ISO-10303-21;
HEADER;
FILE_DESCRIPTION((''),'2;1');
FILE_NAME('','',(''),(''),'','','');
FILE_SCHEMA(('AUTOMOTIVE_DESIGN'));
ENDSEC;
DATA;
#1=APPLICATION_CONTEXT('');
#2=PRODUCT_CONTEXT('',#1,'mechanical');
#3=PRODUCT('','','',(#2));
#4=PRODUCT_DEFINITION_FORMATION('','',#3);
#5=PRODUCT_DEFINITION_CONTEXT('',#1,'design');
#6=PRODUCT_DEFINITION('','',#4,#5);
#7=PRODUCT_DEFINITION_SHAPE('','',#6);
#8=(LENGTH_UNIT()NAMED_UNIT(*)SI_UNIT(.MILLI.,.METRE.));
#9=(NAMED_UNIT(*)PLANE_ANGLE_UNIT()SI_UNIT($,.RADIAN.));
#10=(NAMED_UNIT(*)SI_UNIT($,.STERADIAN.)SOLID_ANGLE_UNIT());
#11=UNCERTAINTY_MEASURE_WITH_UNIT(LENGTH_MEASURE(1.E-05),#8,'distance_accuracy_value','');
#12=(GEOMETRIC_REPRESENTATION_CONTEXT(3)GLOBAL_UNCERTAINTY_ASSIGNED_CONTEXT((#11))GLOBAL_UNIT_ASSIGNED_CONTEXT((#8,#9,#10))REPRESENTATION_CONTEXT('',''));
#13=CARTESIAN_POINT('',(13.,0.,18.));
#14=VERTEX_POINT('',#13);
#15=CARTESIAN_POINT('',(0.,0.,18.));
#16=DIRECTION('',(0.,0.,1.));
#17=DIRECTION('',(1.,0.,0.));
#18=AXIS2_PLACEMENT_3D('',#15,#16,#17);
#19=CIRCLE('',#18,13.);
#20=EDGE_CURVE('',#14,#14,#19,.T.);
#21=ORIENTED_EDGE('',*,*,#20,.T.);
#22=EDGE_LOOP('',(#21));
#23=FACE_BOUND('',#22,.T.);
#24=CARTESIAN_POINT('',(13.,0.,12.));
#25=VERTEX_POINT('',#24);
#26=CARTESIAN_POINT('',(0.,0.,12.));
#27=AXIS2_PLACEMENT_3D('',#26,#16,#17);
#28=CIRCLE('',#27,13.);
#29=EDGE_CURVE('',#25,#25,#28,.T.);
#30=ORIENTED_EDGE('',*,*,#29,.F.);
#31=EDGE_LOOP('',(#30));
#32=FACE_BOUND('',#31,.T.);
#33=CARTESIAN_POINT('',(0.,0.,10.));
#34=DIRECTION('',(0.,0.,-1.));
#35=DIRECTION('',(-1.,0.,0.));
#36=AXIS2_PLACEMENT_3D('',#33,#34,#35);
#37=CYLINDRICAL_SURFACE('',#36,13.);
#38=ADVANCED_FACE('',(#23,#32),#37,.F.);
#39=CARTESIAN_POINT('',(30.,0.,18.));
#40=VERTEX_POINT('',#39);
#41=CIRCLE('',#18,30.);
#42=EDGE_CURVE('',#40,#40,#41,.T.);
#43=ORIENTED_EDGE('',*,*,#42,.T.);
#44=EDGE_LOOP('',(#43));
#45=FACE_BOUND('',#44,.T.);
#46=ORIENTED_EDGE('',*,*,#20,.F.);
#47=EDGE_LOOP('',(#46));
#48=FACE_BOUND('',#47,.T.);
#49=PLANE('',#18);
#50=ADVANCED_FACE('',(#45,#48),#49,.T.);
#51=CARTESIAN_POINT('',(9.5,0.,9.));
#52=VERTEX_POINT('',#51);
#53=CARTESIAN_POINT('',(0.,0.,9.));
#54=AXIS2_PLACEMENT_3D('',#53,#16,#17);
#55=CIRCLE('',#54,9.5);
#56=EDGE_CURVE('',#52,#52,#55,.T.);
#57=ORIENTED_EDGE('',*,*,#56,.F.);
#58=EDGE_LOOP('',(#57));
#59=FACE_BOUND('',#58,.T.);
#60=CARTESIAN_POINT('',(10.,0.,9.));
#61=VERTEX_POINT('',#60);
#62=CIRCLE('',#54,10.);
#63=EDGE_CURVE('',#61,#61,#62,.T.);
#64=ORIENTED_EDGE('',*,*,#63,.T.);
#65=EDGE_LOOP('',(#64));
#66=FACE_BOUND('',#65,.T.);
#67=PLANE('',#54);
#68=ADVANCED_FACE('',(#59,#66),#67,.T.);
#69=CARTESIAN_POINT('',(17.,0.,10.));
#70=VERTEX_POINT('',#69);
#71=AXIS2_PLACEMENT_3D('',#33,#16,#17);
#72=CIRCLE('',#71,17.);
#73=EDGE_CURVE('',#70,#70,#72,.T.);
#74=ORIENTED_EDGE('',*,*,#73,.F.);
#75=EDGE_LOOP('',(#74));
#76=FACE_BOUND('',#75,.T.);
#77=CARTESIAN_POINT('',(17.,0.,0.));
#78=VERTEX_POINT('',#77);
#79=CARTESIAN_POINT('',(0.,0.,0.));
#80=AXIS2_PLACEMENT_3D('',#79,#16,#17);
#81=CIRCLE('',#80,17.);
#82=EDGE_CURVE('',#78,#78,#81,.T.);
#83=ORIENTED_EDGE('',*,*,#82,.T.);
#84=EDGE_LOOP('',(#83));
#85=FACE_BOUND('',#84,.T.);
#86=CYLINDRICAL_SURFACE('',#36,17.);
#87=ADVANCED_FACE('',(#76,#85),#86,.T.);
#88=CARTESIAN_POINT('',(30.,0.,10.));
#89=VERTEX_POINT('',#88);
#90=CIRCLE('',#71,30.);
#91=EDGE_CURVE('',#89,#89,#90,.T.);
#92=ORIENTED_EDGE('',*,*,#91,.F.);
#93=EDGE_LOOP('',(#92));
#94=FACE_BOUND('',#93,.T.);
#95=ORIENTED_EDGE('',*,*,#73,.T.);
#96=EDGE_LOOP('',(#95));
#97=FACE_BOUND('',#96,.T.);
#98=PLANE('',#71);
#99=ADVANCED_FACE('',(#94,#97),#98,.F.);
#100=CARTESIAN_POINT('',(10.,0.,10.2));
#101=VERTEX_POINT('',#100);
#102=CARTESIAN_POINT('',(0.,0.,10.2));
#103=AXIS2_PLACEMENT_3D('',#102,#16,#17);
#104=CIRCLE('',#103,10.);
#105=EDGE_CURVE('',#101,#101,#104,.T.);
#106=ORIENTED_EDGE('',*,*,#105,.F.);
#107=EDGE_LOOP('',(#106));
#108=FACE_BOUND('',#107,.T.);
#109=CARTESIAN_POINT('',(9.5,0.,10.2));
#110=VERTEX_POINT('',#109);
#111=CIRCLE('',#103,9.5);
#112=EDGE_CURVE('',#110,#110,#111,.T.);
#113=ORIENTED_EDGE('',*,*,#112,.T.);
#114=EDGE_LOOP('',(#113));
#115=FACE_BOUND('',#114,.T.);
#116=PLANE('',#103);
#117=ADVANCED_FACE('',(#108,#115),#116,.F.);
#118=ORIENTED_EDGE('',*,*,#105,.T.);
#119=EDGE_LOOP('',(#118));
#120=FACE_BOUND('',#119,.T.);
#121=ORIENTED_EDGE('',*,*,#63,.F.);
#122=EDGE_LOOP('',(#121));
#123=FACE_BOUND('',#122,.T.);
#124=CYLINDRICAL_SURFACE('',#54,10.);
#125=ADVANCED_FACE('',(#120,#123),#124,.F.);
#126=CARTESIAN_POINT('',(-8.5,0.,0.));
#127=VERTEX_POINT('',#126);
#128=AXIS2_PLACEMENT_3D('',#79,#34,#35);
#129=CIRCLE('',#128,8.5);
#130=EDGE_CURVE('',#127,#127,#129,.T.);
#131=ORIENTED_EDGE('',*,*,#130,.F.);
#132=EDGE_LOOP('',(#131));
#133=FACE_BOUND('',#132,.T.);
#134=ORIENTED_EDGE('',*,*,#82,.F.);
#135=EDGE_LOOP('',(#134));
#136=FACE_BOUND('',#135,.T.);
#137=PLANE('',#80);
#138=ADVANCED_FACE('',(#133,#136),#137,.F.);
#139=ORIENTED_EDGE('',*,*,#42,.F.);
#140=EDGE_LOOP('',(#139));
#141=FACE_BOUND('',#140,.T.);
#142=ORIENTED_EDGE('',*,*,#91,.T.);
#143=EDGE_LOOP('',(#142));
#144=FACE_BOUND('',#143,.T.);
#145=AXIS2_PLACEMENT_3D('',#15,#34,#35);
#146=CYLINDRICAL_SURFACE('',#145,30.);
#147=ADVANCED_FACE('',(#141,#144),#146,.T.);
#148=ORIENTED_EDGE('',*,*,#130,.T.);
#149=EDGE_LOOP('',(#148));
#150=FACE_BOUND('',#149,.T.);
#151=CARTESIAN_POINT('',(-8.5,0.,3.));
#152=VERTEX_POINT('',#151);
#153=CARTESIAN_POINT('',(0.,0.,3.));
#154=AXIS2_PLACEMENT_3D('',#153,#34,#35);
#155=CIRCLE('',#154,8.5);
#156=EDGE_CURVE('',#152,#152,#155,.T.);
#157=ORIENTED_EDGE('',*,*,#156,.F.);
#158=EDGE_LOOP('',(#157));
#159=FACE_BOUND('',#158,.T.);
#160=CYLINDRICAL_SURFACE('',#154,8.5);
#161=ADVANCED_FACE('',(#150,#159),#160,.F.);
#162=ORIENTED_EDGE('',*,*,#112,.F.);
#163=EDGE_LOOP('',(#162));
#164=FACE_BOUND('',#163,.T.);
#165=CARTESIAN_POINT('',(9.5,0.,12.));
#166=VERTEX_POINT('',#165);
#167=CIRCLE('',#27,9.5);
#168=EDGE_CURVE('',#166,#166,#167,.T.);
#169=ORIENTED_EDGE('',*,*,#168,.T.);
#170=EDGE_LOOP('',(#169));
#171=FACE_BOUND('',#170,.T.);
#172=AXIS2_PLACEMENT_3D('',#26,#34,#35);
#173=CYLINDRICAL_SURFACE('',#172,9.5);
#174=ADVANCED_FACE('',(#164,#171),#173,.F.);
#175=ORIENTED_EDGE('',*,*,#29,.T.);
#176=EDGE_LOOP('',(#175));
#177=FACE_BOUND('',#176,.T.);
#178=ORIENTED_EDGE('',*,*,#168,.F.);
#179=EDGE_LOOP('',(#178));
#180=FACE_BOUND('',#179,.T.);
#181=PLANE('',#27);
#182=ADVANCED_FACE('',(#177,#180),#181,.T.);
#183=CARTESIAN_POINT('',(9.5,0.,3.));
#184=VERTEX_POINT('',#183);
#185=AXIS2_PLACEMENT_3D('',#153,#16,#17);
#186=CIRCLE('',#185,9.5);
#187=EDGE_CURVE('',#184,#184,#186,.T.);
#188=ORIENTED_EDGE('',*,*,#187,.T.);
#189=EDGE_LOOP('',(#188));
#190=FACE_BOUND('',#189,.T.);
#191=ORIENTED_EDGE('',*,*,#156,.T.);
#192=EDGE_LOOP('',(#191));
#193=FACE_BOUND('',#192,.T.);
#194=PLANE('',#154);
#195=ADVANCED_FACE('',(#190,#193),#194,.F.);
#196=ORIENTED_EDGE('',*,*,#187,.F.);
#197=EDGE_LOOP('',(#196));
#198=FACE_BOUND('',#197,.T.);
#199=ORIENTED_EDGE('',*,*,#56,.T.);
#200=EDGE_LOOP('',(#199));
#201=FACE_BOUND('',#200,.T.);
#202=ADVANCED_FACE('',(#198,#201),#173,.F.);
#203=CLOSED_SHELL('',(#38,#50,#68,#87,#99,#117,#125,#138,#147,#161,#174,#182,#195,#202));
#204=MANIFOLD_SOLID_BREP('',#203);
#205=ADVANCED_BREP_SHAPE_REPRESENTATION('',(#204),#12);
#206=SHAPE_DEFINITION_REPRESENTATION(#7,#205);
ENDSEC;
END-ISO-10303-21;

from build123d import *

# Parameters (mm, degrees)
SKETCH1_R           = 17
SKETCH1_R_2         = 13
BOSS_EXTRUDE1_DEPTH = 10
SKETCH2_R           = 30
SKETCH2_R_2         = 13
BOSS_EXTRUDE2_DEPTH = 8
SKETCH6_R           = 17
SKETCH6_R_2         = 8.5
BOSS_EXTRUDE3_DEPTH = 3
SKETCH7_R           = 13
SKETCH7_R_2         = 9.5
BOSS_EXTRUDE4_DEPTH = 9
CUT_EXTRUDE2_START  = -1.8
SKETCH8_R           = 10
CUT_EXTRUDE2_DEPTH  = 1.2


with BuildPart() as part:
    # Sketch1 → Boss-Extrude1 (new body)
    with BuildSketch(Plane.XY):
        Circle(SKETCH1_R)
        Circle(SKETCH1_R_2, mode=Mode.SUBTRACT)
    extrude(amount=BOSS_EXTRUDE1_DEPTH)

    # Sketch2 → Boss-Extrude2 (add)
    with BuildSketch(Plane.XY.offset(10)):
        Circle(SKETCH2_R)
        Circle(SKETCH2_R_2, mode=Mode.SUBTRACT)
    extrude(amount=BOSS_EXTRUDE2_DEPTH)

    # Sketch6 → Boss-Extrude3 (add)
    with BuildSketch(Plane(origin=(0, 0, 0), x_dir=(-1, 0, 0), z_dir=(0, 0, -1))):
        with Locations(Location((0, 0, 0), (0, 0, 180))):
            Circle(SKETCH6_R)
        Circle(SKETCH6_R_2, mode=Mode.SUBTRACT)
    extrude(amount=-BOSS_EXTRUDE3_DEPTH)

    # Sketch7 → Boss-Extrude4 (add)
    with BuildSketch(Plane.XY.offset(3)):
        Circle(SKETCH7_R)
        Circle(SKETCH7_R_2, mode=Mode.SUBTRACT)
    extrude(amount=BOSS_EXTRUDE4_DEPTH)

    # Sketch8 → Cut-Extrude2 (cut)
    with BuildSketch(Plane.XY.offset(12).offset(CUT_EXTRUDE2_START)):
        Circle(SKETCH8_R)
    extrude(amount=-CUT_EXTRUDE2_DEPTH, mode=Mode.SUBTRACT)


solid = part.part
